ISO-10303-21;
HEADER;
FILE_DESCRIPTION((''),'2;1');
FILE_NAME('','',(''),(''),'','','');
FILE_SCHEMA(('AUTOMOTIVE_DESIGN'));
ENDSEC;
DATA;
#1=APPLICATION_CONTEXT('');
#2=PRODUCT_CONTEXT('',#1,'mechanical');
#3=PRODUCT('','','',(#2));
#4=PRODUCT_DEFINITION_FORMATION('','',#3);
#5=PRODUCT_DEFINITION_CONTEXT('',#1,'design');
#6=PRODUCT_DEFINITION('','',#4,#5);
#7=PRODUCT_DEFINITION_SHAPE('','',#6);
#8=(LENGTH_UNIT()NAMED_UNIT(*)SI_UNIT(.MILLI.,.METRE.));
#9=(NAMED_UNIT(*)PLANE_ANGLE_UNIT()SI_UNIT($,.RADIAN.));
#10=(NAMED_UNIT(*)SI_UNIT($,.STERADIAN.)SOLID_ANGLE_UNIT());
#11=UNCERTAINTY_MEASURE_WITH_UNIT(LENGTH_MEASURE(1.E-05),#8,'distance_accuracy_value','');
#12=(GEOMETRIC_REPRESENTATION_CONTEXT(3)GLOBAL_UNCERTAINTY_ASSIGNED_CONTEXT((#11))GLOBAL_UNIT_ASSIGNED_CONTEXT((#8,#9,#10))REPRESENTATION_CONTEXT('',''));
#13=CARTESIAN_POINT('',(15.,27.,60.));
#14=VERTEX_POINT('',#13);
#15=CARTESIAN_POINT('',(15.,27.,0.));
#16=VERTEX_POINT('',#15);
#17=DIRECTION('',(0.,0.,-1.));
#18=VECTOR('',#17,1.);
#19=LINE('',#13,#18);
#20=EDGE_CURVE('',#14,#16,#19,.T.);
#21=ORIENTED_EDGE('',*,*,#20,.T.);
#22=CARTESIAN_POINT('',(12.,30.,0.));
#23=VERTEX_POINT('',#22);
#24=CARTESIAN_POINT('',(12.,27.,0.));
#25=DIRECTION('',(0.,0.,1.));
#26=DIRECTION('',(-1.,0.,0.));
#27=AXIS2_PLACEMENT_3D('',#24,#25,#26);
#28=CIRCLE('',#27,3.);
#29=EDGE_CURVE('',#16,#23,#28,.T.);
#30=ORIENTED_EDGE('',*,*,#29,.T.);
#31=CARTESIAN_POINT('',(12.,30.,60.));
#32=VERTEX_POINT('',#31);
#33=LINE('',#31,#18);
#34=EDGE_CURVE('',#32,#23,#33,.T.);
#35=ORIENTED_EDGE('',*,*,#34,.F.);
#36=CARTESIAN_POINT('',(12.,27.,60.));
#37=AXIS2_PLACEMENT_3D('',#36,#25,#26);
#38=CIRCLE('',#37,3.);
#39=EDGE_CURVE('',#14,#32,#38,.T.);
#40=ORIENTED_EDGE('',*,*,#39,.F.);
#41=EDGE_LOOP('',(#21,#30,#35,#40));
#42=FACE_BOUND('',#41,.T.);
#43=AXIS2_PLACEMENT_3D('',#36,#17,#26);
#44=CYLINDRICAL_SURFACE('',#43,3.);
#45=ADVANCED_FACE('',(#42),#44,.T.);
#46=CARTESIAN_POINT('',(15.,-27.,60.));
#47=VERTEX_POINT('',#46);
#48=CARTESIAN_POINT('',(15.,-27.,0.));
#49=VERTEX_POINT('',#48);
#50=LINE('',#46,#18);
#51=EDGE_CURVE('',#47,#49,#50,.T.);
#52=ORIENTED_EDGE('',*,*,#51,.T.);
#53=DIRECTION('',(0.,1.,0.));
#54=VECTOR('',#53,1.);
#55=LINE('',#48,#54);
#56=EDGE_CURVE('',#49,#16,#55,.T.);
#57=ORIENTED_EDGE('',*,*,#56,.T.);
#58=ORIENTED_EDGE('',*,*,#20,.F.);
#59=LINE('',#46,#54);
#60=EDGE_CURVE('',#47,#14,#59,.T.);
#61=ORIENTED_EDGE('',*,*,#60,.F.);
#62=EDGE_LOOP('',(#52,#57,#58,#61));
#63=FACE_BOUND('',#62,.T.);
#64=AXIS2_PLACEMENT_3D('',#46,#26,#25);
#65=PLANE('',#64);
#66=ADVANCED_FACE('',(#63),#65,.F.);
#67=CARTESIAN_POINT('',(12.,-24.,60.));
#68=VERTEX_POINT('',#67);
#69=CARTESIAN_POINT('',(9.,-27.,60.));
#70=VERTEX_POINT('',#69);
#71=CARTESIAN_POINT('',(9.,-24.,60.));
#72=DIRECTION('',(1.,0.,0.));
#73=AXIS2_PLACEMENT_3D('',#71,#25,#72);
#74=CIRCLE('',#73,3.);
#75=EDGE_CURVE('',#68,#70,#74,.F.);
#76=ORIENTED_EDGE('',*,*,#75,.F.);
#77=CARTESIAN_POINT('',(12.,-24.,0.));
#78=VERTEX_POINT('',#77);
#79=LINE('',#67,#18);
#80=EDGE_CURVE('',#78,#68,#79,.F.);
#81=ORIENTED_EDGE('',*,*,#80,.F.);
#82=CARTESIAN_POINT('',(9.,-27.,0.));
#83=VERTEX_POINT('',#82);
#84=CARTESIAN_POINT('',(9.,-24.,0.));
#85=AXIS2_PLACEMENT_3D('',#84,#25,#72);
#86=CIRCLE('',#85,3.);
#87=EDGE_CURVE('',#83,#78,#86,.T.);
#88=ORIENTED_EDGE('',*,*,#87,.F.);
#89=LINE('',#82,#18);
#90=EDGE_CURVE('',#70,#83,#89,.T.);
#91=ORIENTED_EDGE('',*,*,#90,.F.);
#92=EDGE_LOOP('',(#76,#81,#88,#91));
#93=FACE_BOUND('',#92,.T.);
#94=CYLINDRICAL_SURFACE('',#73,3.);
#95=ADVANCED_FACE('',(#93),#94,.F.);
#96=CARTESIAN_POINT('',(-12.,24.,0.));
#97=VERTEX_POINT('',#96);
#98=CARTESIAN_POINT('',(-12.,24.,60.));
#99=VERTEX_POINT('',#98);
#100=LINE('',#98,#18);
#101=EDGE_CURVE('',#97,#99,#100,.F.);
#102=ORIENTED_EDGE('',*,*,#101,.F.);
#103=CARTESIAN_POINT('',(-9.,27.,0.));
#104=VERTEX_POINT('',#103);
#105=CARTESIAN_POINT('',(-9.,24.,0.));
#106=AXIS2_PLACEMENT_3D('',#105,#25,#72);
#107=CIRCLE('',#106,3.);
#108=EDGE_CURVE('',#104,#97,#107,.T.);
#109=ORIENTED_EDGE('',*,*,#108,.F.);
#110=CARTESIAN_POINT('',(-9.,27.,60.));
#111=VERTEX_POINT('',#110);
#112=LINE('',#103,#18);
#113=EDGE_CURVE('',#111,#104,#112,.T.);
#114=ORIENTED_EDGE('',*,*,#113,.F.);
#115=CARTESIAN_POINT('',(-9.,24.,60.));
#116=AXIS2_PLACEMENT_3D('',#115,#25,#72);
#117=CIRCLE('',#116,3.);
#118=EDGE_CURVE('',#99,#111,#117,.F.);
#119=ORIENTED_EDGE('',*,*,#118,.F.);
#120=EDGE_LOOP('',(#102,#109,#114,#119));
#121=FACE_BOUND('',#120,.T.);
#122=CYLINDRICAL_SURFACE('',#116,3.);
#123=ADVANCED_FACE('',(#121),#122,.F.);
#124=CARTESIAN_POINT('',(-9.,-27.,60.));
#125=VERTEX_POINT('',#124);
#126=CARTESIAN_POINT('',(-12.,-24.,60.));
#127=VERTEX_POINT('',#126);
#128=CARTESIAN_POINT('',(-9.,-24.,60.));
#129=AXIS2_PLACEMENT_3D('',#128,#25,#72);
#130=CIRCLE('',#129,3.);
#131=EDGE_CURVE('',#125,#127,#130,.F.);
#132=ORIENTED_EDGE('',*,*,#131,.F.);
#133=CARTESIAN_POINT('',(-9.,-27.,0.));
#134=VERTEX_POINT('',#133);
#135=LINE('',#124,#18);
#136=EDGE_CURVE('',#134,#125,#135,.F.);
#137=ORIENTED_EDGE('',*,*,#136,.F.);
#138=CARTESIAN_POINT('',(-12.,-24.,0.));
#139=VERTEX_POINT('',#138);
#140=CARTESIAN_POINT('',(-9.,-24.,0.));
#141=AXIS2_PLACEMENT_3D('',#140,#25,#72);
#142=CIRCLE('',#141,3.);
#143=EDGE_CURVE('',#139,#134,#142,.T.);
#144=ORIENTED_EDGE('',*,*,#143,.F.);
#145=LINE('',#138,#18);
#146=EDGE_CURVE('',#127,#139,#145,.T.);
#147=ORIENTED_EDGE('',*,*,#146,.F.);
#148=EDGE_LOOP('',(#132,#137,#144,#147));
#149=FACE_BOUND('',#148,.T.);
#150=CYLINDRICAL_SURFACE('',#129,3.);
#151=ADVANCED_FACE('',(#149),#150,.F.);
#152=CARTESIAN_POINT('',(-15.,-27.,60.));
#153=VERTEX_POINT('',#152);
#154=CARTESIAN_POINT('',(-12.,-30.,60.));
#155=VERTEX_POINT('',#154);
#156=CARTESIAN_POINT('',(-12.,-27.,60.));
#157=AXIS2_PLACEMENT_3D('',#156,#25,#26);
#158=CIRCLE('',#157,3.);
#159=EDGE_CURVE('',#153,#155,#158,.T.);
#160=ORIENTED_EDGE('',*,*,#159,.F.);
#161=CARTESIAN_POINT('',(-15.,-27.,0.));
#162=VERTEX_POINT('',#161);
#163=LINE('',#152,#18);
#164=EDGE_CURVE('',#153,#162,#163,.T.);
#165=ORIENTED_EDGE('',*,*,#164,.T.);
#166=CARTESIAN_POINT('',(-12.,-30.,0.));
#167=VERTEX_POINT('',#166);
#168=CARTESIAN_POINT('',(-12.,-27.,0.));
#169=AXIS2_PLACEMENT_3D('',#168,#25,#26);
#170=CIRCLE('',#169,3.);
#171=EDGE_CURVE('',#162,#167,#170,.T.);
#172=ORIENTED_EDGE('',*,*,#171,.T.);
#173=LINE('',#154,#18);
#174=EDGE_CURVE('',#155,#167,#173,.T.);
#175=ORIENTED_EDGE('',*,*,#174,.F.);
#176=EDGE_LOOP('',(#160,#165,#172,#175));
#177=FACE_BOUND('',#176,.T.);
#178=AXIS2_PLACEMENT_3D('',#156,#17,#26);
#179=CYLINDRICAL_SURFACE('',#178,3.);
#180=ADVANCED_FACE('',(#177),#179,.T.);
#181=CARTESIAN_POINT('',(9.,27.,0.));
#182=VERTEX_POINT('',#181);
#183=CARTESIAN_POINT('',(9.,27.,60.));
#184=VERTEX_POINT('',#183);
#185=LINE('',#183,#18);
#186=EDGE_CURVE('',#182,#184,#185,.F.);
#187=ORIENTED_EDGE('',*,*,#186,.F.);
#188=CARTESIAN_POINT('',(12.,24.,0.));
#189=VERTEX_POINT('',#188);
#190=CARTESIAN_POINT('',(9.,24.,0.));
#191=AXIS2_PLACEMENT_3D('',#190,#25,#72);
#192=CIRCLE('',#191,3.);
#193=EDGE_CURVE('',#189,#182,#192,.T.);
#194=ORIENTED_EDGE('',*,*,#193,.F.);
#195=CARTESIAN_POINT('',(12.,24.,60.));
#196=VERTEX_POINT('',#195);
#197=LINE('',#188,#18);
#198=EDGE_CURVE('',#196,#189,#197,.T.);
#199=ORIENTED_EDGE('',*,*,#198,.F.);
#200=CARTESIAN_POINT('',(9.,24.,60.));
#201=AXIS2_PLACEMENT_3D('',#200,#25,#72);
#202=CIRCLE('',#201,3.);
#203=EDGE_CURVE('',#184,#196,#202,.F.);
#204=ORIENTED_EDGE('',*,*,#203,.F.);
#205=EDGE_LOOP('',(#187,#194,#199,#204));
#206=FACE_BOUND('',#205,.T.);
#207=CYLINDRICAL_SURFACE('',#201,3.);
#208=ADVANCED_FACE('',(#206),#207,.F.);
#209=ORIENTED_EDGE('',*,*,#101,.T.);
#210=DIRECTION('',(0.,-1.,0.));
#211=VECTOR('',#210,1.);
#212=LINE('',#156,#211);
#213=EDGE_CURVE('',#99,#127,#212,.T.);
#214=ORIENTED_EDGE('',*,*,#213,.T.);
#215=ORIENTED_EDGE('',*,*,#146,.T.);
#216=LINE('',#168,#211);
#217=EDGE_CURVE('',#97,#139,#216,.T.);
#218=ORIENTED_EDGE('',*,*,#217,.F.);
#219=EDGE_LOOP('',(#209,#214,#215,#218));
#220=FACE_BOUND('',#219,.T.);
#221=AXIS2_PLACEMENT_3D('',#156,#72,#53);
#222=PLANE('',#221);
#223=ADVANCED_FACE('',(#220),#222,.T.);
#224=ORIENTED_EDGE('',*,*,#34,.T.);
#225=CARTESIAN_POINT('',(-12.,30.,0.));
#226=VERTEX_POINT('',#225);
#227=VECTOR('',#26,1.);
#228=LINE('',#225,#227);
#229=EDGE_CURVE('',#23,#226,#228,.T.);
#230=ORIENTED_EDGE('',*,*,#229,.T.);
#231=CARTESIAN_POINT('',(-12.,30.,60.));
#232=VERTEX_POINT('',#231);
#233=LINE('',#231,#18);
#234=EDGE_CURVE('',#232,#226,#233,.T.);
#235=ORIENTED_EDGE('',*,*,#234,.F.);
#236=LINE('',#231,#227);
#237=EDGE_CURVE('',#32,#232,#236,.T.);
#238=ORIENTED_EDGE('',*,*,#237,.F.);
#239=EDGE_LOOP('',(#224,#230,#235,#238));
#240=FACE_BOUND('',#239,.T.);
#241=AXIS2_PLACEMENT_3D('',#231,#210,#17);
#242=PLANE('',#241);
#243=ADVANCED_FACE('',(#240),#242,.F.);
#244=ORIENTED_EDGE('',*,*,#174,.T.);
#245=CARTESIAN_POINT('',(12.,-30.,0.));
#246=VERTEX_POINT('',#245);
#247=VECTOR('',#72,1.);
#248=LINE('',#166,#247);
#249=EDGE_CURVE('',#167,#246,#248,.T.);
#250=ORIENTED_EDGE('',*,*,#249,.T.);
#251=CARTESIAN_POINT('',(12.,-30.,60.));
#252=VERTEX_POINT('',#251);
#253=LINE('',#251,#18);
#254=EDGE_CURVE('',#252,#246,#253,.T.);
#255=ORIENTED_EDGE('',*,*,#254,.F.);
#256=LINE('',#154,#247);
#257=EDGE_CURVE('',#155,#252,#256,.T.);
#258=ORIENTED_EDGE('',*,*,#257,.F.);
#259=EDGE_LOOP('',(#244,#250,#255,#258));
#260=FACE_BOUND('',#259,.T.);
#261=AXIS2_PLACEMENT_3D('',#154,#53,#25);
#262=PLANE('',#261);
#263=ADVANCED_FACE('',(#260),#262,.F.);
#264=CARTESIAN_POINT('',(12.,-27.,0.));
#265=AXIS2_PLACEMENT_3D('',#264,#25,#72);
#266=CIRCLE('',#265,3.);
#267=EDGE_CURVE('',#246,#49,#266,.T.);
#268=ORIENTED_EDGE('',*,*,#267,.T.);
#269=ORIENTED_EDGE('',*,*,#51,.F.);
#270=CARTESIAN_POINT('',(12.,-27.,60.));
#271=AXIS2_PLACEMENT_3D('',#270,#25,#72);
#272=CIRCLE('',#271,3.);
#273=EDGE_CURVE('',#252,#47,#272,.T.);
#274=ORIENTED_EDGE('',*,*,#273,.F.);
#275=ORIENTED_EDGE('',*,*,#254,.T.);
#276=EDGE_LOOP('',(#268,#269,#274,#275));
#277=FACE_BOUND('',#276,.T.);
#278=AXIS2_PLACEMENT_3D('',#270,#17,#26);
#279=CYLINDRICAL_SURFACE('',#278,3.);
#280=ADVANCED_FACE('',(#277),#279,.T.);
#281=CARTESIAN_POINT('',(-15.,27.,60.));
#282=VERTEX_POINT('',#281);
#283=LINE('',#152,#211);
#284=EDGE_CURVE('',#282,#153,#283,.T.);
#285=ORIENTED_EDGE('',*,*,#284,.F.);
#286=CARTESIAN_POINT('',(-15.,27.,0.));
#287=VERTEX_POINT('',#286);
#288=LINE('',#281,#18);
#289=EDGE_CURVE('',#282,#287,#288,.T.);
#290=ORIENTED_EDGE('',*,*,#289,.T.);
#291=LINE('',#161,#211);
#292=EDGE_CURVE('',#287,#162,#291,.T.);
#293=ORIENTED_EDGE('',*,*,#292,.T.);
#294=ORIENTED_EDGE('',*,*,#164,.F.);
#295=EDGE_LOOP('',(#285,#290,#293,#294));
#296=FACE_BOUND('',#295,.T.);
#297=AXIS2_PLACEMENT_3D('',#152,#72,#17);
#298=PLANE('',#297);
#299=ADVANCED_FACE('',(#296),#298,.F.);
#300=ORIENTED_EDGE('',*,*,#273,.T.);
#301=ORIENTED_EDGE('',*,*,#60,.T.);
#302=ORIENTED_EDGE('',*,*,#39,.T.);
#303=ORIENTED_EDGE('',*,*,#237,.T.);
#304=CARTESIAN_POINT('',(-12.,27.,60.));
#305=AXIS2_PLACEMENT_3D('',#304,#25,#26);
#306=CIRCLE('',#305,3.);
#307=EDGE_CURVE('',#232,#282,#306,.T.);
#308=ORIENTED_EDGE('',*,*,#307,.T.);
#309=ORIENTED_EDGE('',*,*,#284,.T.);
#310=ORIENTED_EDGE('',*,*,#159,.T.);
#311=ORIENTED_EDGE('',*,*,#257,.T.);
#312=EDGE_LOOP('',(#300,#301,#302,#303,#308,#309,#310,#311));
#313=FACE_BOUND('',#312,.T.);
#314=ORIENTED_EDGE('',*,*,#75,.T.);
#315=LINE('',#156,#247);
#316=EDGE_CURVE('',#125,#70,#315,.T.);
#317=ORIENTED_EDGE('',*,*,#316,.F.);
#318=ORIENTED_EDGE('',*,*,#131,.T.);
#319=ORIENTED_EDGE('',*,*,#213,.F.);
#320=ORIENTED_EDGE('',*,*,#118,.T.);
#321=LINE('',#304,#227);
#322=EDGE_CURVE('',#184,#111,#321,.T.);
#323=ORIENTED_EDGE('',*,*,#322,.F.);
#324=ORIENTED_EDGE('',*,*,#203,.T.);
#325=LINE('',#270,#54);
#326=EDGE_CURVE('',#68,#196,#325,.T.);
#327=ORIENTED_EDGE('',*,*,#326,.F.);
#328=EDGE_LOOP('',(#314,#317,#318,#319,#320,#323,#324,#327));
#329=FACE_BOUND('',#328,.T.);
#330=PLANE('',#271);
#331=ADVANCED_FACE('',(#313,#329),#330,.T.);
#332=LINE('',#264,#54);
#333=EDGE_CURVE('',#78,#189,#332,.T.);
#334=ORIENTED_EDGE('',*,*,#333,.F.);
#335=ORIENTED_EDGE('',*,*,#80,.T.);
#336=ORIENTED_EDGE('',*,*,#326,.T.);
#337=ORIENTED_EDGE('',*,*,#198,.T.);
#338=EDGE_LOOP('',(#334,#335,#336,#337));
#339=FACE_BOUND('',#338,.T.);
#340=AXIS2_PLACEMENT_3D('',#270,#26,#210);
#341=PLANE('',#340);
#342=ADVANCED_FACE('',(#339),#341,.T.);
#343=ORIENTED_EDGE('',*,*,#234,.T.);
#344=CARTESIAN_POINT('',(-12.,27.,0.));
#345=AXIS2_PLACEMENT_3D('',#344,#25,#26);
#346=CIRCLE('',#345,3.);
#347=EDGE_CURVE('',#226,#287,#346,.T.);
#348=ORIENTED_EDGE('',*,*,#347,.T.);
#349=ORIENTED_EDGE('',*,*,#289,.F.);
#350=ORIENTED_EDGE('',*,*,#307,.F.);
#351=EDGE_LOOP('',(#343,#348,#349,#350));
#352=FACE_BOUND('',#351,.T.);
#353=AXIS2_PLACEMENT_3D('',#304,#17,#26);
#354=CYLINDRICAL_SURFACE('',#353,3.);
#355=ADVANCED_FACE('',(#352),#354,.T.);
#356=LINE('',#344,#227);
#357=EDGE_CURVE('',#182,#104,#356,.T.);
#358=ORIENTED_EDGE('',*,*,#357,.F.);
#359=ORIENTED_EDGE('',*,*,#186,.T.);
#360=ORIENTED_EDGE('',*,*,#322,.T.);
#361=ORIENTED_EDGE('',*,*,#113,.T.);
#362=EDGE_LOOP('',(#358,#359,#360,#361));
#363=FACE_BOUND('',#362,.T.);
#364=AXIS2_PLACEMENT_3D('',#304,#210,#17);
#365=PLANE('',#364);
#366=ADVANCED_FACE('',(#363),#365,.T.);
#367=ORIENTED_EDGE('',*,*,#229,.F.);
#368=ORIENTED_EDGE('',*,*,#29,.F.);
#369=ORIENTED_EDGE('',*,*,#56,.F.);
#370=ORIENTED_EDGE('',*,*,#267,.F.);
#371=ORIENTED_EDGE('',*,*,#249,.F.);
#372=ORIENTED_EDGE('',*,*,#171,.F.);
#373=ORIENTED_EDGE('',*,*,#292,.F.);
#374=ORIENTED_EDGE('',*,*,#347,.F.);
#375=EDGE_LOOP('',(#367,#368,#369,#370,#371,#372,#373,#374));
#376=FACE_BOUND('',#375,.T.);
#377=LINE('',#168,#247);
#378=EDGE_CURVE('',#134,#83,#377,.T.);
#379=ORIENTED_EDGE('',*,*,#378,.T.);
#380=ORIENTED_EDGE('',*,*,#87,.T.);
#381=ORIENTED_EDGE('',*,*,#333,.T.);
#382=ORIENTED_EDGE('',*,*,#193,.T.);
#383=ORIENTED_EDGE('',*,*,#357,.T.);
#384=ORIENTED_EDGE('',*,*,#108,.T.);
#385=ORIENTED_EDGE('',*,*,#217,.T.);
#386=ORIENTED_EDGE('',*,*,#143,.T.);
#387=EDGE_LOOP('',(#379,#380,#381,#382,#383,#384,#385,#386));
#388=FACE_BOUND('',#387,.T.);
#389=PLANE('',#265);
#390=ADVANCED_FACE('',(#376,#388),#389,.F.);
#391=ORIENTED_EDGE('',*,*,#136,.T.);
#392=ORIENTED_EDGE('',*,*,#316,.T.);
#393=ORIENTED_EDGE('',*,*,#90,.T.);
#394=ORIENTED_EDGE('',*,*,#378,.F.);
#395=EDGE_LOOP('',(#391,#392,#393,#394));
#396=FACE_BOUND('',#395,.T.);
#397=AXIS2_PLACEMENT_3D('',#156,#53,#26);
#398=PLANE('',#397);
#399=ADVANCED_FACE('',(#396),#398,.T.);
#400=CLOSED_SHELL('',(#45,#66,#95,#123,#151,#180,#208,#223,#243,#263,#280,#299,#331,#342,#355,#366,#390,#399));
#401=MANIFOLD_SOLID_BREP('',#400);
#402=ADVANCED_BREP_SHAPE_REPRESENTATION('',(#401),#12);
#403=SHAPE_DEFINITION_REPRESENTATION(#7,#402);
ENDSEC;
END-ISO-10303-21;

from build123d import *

# Parameters (mm, degrees)
SZKIC1_W                    = 24
SZKIC1_H                    = 54
DODANIE_WYCI_GNI_CIE1_DEPTH = 60
ZAOKR_GLENIE1_R             = 3


with BuildPart() as part:
    # Szkic1 → Dodanie-wyciągnięcie1 (new body)
    with BuildSketch(Plane.XY):
        with BuildLine():
            Line((-12, -30), (12, -30))
            ThreePointArc((12, -30), (14.121320344, -29.121320344), (15, -27))
            Line((15, -27), (15, 27))
            ThreePointArc((15, 27), (14.121320344, 29.121320344), (12, 30))
            Line((12, 30), (-12, 30))
            ThreePointArc((-12, 30), (-14.121320344, 29.121320344), (-15, 27))
            Line((-15, 27), (-15, -27))
            ThreePointArc((-15, -27), (-14.121320344, -29.121320344), (-12, -30))
        make_face()
        Rectangle(SZKIC1_W, SZKIC1_H, mode=Mode.SUBTRACT)
    extrude(amount=DODANIE_WYCI_GNI_CIE1_DEPTH)

    # Zaokrąglenie1
    zaokr_glenie1_edges = [part.edges().sort_by_distance(p)[0] for p in [
        (-12, 27, 30),
        (-12, -27, 30),
        (12, -27, 30),
        (12, 27, 30),
    ]]
    fillet(zaokr_glenie1_edges, radius=ZAOKR_GLENIE1_R)


solid = part.part
